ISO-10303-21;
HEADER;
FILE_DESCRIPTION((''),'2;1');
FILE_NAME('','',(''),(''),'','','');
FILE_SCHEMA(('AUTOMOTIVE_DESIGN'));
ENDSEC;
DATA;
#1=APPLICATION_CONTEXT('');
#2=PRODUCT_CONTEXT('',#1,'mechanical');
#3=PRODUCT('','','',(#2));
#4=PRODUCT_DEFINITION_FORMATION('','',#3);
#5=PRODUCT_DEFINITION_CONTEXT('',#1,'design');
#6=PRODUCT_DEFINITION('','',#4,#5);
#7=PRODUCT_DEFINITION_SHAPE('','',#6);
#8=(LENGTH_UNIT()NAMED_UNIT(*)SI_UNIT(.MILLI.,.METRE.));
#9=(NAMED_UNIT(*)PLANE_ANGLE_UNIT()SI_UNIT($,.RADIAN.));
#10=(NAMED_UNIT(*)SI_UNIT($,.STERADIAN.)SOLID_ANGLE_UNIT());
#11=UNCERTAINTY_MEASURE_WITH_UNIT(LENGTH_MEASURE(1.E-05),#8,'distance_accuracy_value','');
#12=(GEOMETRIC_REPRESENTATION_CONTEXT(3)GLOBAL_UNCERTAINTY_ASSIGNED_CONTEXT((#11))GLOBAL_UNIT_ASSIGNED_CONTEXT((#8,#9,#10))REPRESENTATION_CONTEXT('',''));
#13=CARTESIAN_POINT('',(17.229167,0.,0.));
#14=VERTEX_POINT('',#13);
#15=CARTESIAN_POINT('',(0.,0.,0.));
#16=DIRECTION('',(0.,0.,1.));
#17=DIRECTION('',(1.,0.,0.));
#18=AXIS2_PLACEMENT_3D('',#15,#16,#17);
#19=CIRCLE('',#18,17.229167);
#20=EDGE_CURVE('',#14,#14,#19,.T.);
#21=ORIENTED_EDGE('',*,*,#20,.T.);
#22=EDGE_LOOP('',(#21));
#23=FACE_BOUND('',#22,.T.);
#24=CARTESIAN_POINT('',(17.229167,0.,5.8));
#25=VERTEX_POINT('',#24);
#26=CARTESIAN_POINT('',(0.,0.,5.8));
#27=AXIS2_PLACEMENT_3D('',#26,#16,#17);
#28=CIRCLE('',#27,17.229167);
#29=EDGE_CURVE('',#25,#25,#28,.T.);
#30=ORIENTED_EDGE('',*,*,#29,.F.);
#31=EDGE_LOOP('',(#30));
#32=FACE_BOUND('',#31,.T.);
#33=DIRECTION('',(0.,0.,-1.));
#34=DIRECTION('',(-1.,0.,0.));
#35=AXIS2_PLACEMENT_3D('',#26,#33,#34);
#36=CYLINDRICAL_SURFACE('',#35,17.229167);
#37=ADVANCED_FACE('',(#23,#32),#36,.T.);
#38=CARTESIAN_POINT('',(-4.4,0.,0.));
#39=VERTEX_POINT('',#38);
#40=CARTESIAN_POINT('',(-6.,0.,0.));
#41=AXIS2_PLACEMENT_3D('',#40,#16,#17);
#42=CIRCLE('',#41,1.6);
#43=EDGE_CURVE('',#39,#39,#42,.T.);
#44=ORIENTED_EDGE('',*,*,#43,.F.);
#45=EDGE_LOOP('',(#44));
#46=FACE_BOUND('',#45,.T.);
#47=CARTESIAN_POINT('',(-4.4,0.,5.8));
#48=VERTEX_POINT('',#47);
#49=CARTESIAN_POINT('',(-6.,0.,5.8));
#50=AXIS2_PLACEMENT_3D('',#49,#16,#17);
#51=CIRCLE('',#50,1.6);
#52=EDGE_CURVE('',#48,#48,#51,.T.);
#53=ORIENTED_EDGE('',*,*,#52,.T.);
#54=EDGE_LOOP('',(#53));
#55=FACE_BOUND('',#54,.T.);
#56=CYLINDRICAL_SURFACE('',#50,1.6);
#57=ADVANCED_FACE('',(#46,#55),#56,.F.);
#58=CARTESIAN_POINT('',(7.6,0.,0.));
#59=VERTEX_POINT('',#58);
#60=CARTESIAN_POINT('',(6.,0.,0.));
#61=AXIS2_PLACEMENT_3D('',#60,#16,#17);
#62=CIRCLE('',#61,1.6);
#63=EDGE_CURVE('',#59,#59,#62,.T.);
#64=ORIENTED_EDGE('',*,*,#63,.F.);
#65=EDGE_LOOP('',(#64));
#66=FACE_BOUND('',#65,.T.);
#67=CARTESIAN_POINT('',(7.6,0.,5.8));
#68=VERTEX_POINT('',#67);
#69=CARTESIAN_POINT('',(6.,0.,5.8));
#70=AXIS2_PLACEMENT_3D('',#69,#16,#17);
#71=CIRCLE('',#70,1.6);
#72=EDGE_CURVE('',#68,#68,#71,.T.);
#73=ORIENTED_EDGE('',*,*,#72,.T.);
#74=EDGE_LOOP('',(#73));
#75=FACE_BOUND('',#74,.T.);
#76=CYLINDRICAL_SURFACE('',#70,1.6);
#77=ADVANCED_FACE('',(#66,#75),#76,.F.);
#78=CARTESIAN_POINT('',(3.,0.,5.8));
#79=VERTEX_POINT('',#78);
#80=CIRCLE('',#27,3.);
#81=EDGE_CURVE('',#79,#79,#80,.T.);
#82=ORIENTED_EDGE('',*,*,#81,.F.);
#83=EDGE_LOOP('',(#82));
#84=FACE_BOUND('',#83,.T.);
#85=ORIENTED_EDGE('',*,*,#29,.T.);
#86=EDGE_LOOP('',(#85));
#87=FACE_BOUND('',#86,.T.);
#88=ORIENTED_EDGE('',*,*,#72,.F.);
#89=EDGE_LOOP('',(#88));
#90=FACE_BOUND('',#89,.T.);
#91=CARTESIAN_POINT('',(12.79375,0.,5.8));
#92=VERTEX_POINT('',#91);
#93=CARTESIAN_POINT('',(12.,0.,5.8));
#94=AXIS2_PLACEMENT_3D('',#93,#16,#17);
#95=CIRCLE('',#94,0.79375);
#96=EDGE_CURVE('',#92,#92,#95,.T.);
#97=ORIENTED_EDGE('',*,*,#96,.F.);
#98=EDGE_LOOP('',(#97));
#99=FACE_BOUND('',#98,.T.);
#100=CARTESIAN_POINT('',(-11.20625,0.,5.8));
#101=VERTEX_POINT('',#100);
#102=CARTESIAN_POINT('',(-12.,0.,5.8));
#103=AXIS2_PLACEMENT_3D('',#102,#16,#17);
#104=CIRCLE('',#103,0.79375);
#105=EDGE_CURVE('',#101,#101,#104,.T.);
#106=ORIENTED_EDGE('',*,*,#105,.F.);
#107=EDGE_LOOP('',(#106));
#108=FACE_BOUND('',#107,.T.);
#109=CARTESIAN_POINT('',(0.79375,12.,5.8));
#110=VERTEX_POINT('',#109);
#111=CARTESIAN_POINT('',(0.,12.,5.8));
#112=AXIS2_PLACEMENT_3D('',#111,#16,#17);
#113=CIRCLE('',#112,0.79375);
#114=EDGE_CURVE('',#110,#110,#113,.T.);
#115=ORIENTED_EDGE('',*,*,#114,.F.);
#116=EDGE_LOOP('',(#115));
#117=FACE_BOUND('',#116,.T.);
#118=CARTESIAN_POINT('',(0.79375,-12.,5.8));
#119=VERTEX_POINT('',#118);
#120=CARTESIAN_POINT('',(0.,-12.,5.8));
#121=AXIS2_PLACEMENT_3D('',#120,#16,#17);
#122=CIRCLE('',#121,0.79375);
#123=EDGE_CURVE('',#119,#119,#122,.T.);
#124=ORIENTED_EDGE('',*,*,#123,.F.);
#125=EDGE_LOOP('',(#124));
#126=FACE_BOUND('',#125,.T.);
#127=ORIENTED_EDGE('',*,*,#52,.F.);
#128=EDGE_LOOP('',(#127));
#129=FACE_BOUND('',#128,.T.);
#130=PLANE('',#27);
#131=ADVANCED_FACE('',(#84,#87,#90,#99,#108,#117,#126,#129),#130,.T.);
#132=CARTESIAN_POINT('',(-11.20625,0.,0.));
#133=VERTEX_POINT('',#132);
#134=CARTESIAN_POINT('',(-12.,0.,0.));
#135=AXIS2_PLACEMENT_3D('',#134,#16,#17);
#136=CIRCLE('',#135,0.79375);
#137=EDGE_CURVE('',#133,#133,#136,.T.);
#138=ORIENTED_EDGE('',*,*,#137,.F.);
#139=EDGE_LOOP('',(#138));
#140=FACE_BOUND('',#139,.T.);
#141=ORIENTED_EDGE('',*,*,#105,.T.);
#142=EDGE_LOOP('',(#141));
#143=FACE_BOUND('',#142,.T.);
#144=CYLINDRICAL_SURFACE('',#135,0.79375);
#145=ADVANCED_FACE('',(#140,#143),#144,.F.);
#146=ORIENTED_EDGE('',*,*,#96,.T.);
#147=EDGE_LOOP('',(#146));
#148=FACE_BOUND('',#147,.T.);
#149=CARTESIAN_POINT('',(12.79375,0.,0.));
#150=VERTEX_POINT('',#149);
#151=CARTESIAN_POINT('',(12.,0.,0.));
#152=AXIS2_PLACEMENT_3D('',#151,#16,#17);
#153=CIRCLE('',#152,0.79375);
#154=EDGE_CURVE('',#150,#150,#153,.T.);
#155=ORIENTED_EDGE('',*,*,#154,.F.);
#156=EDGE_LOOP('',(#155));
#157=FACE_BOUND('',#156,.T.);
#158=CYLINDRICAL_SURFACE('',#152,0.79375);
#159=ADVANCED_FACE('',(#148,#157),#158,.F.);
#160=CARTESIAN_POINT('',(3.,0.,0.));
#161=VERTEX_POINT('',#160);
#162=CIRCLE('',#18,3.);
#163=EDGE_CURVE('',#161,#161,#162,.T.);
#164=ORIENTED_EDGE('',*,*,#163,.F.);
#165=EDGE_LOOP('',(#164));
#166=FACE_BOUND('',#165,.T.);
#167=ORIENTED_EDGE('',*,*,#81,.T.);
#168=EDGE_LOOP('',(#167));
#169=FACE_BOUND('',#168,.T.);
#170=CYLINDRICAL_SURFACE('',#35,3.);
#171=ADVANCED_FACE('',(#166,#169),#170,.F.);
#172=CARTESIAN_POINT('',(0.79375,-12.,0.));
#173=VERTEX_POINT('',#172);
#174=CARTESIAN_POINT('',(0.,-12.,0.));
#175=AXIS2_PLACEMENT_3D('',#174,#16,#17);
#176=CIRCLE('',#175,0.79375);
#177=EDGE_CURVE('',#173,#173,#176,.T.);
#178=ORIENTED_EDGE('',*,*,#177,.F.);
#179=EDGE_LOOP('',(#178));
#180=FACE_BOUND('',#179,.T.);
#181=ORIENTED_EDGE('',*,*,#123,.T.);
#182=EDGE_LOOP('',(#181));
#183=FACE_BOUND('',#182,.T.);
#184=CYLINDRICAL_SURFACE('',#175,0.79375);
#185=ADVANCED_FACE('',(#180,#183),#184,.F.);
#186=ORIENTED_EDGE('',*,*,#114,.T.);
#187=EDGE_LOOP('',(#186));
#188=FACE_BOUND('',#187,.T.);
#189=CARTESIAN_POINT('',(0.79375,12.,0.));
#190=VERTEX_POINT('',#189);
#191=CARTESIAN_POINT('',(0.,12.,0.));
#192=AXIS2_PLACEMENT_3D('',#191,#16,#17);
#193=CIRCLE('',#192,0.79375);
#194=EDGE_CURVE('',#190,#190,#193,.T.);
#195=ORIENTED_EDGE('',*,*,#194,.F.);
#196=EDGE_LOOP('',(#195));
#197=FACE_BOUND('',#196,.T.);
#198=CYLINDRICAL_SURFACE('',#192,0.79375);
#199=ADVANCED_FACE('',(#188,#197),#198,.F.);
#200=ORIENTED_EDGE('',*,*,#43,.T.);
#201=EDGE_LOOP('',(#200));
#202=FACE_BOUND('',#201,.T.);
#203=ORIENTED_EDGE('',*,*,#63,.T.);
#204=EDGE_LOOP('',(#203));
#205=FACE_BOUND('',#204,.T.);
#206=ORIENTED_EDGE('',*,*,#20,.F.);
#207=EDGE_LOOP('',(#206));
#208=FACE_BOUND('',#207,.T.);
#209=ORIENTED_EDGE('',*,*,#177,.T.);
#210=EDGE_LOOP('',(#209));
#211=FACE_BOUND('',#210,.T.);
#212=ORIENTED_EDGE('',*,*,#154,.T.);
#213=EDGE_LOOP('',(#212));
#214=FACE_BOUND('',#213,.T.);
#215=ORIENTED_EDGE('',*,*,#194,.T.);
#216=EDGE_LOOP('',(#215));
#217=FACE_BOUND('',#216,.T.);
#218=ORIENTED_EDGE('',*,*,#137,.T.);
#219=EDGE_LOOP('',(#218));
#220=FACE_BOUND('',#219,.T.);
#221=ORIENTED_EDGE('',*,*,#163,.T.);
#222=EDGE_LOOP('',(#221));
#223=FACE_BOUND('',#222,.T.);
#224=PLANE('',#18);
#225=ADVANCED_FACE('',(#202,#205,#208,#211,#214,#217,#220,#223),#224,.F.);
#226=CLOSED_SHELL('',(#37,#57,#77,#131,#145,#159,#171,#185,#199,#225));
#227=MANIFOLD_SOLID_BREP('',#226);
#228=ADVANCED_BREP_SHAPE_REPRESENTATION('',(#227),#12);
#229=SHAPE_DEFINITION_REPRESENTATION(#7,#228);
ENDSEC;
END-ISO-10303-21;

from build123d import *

# Parameters (mm, degrees)
SKETCH1_R                = 17.229166667
SKETCH1_R_2              = 3
BOSS_EXTRUDE1_DEPTH      = 5.8
SKETCH2_R                = 0.79375
CUT_EXTRUDE1_DEPTH       = 26.046524071
M3_CLEARANCE_HOLE1_D     = 3.2
M3_CLEARANCE_HOLE1_DEPTH = 12.7
M3_CLEARANCE_HOLE1_TIP   = 0.96137699


with BuildPart() as part:
    # Sketch1 → Boss-Extrude1 (new body)
    with BuildSketch(Plane.XY):
        Circle(SKETCH1_R)
        Circle(SKETCH1_R_2, mode=Mode.SUBTRACT)
    extrude(amount=BOSS_EXTRUDE1_DEPTH)

    # Sketch2 → Cut-Extrude1 (cut, through all)
    with BuildSketch(Plane.XY.offset(5.8)):
        with Locations((0, 12)):
            Circle(SKETCH2_R)
        with Locations((12, 0)):
            Circle(SKETCH2_R)
        with Locations((0, -12)):
            Circle(SKETCH2_R)
        with Locations((-12, 0)):
            Circle(SKETCH2_R)
    extrude(amount=-CUT_EXTRUDE1_DEPTH, mode=Mode.SUBTRACT)

    # M3 Clearance Hole1
    with Locations(Plane.XY.offset(5.8)):
        with Locations((-6, 0), (6, 0)):
            Hole(M3_CLEARANCE_HOLE1_D / 2, depth=M3_CLEARANCE_HOLE1_DEPTH)
            with Locations((0, 0, -(M3_CLEARANCE_HOLE1_DEPTH + M3_CLEARANCE_HOLE1_TIP / 2))):  # 118° drill point
                Cone(0, M3_CLEARANCE_HOLE1_D / 2, M3_CLEARANCE_HOLE1_TIP, mode=Mode.SUBTRACT)


solid = part.part
